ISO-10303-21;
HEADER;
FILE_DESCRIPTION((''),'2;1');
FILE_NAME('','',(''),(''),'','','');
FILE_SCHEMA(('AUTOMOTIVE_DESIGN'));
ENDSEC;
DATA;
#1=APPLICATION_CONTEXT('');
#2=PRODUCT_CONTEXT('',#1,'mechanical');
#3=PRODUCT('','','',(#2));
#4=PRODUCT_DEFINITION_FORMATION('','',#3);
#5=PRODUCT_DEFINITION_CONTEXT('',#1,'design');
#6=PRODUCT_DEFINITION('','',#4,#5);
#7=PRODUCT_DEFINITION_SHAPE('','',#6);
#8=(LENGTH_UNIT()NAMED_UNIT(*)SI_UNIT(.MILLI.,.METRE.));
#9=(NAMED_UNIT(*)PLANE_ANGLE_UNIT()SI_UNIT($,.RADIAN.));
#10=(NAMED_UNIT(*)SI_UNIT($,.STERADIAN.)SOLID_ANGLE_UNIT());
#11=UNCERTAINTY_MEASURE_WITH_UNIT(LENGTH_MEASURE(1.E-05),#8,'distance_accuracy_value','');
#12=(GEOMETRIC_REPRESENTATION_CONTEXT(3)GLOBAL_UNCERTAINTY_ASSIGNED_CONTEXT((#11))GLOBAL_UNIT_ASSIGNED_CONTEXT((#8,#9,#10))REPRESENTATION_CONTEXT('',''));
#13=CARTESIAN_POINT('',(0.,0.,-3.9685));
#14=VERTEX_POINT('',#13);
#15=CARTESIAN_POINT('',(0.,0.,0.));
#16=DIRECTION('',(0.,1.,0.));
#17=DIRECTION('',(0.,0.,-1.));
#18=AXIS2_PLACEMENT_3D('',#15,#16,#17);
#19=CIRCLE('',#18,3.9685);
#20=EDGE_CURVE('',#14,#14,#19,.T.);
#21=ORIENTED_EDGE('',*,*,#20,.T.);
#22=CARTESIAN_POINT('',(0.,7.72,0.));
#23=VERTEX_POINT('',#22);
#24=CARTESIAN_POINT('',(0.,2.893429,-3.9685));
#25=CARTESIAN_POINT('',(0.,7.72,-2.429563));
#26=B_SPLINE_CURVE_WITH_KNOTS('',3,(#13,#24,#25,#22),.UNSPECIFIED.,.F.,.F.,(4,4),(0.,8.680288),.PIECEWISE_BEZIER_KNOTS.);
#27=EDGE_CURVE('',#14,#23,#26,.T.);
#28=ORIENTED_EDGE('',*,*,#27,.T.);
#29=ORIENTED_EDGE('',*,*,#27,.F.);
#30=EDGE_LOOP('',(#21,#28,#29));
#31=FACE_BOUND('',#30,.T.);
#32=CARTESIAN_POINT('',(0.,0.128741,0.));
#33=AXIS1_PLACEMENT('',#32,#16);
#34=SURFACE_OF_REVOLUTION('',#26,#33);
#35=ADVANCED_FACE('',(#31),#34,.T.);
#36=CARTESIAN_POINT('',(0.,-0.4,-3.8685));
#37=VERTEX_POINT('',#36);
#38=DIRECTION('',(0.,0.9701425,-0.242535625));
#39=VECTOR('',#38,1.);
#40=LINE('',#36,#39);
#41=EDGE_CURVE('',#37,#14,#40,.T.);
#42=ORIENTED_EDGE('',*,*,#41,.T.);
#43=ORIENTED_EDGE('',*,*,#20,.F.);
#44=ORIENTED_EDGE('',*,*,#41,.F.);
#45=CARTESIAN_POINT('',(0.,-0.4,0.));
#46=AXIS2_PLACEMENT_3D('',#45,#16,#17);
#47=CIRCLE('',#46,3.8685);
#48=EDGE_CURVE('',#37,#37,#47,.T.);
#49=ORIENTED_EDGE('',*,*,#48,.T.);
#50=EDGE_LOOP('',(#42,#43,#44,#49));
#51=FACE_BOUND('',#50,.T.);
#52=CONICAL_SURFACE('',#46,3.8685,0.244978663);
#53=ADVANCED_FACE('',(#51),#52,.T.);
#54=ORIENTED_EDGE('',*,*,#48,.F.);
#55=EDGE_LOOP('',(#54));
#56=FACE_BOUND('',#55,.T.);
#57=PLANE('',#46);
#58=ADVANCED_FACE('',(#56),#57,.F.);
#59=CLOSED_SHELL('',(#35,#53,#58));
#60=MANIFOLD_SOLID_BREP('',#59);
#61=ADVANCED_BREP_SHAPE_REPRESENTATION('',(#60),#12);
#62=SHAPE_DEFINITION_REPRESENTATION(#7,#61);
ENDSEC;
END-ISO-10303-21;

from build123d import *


with BuildPart() as f1:
    # F0 (on Right) → F1 (revolve)
    with BuildSketch(Plane.YZ):
        with BuildLine():
            Line((-0.4, -3.8685), (0, -3.9685))
            add(Edge.make_bspline(
                [(0, -3.9685), (2.893429, -3.9685), (7.72, -2.429563), (7.72, 0)],
                knots=[0, 0, 0, 0, 8.680288, 8.680288, 8.680288, 8.680288], degree=3))
            Line((7.72, 0), (-0.4, 0))
            Line((-0.4, 0), (-0.4, -3.8685))
        make_face()
    revolve(axis=Axis((0, 0.128741, 0), (0, 1, 0)))


solid = f1.part
